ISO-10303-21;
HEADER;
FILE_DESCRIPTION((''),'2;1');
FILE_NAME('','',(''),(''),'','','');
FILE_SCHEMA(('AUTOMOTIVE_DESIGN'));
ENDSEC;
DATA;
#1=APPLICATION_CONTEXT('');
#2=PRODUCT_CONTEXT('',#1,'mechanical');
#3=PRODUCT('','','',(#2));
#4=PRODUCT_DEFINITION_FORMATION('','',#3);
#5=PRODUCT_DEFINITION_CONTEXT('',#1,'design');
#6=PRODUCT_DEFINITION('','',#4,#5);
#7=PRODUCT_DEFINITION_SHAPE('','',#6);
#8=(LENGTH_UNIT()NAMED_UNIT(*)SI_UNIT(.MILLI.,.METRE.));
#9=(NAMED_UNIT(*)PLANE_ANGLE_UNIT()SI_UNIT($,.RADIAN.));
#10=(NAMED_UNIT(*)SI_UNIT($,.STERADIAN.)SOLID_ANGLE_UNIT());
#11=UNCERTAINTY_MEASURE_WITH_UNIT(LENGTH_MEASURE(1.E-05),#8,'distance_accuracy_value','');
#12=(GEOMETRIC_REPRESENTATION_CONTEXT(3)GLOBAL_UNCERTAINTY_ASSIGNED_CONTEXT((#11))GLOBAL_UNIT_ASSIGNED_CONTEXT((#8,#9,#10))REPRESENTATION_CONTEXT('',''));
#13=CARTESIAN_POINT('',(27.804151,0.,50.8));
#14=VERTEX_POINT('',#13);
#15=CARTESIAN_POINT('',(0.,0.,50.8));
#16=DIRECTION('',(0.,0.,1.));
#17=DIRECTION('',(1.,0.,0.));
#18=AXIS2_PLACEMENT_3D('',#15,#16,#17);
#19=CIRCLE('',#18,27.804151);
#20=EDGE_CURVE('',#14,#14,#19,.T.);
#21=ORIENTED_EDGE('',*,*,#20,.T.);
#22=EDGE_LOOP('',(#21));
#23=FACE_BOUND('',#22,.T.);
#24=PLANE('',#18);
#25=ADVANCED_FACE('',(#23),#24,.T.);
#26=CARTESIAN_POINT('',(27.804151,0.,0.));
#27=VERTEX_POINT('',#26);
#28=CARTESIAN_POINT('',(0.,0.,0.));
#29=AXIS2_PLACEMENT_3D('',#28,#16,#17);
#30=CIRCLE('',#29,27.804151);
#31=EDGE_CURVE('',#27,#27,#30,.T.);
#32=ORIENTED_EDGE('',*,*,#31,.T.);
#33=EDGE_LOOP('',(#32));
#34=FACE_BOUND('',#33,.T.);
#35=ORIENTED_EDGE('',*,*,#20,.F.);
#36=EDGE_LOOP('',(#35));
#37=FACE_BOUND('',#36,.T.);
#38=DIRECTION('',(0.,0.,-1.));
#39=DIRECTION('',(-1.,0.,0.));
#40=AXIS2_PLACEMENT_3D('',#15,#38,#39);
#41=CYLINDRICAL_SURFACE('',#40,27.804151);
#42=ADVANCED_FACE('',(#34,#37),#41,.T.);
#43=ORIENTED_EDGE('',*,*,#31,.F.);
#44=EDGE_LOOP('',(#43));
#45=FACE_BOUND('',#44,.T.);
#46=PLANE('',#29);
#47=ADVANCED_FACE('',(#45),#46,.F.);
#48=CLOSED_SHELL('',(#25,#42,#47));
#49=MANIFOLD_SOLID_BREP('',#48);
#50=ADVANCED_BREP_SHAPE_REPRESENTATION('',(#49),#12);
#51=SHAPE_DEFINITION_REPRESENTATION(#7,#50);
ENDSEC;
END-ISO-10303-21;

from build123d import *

# Parameters (mm, degrees)
SKETCH1_R      = 27.804150842
EXTRUDE1_DEPTH = 50.8


with BuildPart() as part:
    # Sketch1 → Extrude1 (new body)
    with BuildSketch(Plane.XY):
        Circle(SKETCH1_R)
    extrude(amount=EXTRUDE1_DEPTH)


solid = part.part
